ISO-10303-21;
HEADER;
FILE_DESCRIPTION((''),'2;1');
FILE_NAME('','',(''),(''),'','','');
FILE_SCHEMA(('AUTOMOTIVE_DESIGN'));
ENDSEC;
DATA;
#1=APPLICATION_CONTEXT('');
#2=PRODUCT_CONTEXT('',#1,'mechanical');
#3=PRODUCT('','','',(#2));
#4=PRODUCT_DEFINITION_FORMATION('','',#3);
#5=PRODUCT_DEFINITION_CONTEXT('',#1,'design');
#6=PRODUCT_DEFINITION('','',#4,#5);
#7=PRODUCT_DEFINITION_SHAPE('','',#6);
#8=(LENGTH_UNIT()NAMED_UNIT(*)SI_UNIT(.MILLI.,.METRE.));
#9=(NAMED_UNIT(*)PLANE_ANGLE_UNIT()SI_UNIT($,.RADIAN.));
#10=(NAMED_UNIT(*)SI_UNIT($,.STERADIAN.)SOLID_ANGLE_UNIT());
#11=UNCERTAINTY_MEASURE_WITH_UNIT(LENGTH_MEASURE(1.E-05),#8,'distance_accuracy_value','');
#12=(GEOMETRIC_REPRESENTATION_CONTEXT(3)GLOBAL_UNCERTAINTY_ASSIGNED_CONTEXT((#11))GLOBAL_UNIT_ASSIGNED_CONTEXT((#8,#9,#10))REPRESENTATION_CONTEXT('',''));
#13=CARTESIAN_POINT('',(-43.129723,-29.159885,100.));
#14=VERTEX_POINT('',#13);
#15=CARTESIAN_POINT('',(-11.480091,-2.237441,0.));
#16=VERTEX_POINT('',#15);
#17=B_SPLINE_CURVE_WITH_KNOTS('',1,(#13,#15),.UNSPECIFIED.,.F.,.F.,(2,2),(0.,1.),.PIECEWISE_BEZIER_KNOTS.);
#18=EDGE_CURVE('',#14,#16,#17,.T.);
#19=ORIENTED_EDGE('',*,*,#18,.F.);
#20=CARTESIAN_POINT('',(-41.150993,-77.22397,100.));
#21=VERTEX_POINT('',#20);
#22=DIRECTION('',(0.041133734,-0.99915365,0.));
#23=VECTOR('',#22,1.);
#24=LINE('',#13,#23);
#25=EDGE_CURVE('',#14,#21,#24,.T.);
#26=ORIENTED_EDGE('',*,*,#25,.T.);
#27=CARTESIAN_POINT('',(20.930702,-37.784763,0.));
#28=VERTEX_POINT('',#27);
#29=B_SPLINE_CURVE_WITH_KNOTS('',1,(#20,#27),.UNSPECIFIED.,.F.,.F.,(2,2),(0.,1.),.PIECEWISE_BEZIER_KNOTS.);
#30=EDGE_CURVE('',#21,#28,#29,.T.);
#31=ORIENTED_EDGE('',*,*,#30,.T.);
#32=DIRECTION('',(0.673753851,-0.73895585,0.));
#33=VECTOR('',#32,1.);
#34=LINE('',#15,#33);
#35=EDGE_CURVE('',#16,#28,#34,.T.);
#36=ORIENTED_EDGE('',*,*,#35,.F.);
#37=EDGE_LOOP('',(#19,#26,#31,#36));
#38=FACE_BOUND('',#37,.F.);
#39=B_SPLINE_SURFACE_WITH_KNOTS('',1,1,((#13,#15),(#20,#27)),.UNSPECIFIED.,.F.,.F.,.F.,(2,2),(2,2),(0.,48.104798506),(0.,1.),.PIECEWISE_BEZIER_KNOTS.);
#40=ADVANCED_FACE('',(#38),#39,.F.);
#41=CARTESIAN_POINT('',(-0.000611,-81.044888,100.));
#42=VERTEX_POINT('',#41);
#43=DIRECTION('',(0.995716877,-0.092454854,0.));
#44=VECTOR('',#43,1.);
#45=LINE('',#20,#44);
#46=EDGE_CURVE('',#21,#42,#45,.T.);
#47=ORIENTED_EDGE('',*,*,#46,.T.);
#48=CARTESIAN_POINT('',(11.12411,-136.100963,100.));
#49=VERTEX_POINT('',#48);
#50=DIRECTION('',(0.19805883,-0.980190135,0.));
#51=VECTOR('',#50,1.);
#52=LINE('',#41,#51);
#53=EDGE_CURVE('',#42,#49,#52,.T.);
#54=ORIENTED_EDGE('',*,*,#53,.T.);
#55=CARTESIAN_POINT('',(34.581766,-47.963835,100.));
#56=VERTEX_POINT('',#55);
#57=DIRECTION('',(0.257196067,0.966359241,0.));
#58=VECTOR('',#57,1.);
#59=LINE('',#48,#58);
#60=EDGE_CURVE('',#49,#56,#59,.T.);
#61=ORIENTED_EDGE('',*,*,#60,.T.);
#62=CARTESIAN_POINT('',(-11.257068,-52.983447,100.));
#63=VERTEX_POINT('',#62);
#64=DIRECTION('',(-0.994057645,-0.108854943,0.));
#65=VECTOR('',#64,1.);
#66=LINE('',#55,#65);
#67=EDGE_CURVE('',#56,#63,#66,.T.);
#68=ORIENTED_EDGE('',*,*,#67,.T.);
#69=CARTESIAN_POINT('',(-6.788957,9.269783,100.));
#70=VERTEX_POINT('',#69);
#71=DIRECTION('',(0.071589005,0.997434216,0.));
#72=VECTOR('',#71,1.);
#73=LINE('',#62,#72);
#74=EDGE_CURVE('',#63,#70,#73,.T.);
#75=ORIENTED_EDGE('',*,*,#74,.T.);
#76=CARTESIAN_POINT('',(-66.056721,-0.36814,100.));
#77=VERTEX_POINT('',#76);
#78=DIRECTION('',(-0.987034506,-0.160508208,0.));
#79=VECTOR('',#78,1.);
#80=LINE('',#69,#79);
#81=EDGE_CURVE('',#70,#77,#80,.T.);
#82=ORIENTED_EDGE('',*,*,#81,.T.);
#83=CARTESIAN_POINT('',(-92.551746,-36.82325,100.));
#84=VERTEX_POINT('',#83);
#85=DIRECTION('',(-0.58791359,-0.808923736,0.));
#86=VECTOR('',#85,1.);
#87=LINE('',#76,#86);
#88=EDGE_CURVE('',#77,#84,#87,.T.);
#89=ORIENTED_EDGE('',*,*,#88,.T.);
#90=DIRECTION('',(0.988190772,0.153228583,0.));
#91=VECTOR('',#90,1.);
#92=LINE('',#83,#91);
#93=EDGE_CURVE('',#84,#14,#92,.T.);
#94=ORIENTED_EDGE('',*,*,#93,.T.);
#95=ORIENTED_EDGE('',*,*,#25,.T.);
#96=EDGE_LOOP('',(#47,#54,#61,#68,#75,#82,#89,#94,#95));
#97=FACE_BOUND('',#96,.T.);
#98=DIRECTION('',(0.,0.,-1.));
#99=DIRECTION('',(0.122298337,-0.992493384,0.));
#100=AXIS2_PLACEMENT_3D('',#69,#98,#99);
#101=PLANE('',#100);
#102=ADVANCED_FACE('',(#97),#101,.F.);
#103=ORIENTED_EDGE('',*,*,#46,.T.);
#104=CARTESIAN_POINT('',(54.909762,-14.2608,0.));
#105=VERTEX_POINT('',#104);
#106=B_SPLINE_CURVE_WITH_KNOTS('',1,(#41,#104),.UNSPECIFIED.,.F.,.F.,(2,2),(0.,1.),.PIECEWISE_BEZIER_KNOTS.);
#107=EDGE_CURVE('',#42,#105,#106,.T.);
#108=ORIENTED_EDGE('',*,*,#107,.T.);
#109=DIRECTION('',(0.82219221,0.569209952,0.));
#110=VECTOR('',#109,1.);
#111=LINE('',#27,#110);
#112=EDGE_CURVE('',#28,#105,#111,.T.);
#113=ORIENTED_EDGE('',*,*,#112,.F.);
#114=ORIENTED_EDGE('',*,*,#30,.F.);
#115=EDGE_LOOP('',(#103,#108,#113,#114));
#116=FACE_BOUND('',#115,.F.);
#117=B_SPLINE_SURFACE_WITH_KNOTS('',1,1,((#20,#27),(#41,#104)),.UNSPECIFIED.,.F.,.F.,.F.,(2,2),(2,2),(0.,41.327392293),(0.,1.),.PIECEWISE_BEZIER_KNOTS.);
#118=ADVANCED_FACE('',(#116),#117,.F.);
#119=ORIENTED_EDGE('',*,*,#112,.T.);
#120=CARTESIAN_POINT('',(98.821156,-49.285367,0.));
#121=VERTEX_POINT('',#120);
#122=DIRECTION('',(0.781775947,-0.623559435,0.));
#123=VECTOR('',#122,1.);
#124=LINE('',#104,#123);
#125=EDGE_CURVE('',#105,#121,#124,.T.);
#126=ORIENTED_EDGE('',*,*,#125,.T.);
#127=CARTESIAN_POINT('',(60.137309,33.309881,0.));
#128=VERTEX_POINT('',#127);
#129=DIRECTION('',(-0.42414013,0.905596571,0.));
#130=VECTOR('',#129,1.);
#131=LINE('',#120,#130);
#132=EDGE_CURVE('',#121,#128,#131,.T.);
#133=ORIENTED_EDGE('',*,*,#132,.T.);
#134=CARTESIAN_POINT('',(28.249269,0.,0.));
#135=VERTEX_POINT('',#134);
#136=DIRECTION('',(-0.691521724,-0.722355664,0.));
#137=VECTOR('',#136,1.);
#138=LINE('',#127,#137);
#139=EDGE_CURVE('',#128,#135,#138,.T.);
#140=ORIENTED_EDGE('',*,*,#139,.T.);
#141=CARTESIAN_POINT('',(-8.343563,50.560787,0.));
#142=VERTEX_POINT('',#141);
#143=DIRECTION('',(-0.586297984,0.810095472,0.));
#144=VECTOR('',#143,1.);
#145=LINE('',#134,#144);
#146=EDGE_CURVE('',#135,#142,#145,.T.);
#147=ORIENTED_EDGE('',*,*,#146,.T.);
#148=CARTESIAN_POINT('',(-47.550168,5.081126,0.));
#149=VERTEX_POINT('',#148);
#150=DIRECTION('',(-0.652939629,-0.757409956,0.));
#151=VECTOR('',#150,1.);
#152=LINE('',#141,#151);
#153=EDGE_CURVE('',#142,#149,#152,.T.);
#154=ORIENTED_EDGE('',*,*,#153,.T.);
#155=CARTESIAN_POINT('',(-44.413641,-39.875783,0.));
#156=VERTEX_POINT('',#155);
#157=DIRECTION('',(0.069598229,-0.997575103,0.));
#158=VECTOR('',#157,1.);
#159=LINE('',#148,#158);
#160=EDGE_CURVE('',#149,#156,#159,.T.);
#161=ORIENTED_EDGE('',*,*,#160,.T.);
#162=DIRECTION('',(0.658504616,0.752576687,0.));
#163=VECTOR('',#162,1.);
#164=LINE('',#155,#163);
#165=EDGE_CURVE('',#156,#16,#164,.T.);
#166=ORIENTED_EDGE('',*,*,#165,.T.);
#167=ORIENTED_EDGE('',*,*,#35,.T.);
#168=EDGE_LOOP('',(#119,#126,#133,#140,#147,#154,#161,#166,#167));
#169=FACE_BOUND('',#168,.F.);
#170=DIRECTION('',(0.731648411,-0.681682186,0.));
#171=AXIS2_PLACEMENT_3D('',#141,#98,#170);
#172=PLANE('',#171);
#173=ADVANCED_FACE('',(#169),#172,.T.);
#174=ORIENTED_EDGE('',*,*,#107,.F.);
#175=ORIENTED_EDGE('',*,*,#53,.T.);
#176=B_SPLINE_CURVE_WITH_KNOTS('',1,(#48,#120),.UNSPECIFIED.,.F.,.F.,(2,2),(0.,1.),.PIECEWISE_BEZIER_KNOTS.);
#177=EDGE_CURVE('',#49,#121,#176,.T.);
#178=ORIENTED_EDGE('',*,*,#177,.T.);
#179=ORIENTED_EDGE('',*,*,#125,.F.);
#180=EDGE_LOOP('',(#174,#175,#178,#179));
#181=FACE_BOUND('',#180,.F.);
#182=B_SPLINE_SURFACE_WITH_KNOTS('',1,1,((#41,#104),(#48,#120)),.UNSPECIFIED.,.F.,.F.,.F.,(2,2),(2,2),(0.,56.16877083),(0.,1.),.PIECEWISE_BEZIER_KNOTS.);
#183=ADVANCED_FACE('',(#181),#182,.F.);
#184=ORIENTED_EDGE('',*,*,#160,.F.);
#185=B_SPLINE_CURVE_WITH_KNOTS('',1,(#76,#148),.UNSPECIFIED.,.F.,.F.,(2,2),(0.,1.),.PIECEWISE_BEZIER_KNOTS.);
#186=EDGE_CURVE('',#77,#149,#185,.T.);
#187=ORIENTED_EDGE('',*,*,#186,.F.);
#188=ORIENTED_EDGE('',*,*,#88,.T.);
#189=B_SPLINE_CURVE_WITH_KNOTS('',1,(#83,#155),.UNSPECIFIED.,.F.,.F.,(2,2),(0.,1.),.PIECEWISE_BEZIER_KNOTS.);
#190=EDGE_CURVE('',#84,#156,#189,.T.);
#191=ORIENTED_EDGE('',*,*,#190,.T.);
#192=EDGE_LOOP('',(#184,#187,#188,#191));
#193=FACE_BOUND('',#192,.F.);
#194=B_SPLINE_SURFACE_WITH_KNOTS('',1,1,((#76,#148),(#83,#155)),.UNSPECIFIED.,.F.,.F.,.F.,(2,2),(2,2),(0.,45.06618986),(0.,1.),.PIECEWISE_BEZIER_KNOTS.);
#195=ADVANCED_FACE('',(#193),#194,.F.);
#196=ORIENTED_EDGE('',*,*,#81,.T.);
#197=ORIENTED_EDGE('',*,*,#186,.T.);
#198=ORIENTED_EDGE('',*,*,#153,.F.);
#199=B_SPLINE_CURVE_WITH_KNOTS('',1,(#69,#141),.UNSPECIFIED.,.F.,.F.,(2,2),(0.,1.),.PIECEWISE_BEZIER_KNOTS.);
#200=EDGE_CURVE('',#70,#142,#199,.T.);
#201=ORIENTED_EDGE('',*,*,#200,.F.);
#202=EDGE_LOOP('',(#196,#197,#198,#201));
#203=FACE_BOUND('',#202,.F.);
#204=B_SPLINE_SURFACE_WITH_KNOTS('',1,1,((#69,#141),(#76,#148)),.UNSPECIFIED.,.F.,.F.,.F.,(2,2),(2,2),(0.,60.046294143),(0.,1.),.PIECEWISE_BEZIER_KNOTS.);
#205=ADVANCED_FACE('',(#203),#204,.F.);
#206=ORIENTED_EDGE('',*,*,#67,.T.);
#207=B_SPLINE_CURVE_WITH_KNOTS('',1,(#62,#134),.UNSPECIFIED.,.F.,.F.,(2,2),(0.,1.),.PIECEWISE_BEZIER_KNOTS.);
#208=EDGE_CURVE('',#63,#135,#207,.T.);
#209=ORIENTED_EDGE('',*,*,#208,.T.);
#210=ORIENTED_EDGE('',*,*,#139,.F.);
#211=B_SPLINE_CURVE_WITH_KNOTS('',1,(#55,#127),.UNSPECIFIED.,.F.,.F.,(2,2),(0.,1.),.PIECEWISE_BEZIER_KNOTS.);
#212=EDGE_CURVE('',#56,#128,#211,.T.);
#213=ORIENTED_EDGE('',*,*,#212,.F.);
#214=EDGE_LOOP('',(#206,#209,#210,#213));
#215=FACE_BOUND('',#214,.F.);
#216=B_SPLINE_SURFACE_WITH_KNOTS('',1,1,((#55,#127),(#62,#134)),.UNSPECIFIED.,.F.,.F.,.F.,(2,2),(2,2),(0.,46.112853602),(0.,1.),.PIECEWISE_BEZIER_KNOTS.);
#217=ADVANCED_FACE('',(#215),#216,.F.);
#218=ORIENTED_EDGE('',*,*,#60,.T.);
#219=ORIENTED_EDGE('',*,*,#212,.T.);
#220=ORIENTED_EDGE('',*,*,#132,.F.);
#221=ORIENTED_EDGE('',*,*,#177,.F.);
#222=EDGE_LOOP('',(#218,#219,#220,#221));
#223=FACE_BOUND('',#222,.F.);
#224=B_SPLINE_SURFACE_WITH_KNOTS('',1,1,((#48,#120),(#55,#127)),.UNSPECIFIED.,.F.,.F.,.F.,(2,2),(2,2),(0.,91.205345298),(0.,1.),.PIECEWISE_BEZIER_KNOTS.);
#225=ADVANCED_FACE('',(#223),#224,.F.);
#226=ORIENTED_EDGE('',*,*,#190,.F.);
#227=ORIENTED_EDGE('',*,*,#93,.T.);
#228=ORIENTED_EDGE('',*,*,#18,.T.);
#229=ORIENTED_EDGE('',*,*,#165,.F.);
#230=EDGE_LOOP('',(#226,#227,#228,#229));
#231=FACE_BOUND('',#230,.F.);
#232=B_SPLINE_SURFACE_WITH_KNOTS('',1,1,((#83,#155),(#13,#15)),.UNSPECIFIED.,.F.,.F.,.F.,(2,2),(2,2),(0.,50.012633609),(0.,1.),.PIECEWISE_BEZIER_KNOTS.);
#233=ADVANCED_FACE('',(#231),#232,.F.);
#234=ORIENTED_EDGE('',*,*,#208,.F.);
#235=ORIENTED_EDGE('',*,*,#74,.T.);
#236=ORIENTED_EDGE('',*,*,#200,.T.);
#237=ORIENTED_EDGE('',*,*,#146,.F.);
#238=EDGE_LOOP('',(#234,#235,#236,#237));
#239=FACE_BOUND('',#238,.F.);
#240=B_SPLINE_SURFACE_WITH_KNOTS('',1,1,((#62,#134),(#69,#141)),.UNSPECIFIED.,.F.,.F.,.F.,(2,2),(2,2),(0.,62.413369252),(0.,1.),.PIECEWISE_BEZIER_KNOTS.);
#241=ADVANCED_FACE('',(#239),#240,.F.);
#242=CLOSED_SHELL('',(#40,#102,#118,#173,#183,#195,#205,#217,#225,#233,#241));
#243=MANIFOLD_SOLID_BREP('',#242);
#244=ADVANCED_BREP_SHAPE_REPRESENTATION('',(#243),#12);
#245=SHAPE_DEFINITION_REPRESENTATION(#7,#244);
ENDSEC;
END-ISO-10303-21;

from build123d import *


with BuildPart() as f3:
    # F2 (on offset) → F3 section 0
    with BuildSketch(Plane.XY.offset(100)):
        Polygon((-6.788957, 9.269783), (-66.056721, -0.36814), (-92.551746, -36.82325), (-43.129723, -29.159885), (-41.150993, -77.22397), (-0.000611, -81.044888), (11.12411, -136.100963), (34.581766, -47.963835), (-11.257068, -52.983447), align=None)
    # F0 (on Top) → F3 section 1
    with BuildSketch(Plane.XY):
        Polygon((-8.343563, 50.560787), (-47.550168, 5.081126), (-44.413641, -39.875783), (-11.480091, -2.237441), (20.930702, -37.784763), (54.909762, -14.2608), (98.821156, -49.285367), (60.137309, 33.309881), (28.249269, 0), align=None)
    loft()


solid = f3.part
